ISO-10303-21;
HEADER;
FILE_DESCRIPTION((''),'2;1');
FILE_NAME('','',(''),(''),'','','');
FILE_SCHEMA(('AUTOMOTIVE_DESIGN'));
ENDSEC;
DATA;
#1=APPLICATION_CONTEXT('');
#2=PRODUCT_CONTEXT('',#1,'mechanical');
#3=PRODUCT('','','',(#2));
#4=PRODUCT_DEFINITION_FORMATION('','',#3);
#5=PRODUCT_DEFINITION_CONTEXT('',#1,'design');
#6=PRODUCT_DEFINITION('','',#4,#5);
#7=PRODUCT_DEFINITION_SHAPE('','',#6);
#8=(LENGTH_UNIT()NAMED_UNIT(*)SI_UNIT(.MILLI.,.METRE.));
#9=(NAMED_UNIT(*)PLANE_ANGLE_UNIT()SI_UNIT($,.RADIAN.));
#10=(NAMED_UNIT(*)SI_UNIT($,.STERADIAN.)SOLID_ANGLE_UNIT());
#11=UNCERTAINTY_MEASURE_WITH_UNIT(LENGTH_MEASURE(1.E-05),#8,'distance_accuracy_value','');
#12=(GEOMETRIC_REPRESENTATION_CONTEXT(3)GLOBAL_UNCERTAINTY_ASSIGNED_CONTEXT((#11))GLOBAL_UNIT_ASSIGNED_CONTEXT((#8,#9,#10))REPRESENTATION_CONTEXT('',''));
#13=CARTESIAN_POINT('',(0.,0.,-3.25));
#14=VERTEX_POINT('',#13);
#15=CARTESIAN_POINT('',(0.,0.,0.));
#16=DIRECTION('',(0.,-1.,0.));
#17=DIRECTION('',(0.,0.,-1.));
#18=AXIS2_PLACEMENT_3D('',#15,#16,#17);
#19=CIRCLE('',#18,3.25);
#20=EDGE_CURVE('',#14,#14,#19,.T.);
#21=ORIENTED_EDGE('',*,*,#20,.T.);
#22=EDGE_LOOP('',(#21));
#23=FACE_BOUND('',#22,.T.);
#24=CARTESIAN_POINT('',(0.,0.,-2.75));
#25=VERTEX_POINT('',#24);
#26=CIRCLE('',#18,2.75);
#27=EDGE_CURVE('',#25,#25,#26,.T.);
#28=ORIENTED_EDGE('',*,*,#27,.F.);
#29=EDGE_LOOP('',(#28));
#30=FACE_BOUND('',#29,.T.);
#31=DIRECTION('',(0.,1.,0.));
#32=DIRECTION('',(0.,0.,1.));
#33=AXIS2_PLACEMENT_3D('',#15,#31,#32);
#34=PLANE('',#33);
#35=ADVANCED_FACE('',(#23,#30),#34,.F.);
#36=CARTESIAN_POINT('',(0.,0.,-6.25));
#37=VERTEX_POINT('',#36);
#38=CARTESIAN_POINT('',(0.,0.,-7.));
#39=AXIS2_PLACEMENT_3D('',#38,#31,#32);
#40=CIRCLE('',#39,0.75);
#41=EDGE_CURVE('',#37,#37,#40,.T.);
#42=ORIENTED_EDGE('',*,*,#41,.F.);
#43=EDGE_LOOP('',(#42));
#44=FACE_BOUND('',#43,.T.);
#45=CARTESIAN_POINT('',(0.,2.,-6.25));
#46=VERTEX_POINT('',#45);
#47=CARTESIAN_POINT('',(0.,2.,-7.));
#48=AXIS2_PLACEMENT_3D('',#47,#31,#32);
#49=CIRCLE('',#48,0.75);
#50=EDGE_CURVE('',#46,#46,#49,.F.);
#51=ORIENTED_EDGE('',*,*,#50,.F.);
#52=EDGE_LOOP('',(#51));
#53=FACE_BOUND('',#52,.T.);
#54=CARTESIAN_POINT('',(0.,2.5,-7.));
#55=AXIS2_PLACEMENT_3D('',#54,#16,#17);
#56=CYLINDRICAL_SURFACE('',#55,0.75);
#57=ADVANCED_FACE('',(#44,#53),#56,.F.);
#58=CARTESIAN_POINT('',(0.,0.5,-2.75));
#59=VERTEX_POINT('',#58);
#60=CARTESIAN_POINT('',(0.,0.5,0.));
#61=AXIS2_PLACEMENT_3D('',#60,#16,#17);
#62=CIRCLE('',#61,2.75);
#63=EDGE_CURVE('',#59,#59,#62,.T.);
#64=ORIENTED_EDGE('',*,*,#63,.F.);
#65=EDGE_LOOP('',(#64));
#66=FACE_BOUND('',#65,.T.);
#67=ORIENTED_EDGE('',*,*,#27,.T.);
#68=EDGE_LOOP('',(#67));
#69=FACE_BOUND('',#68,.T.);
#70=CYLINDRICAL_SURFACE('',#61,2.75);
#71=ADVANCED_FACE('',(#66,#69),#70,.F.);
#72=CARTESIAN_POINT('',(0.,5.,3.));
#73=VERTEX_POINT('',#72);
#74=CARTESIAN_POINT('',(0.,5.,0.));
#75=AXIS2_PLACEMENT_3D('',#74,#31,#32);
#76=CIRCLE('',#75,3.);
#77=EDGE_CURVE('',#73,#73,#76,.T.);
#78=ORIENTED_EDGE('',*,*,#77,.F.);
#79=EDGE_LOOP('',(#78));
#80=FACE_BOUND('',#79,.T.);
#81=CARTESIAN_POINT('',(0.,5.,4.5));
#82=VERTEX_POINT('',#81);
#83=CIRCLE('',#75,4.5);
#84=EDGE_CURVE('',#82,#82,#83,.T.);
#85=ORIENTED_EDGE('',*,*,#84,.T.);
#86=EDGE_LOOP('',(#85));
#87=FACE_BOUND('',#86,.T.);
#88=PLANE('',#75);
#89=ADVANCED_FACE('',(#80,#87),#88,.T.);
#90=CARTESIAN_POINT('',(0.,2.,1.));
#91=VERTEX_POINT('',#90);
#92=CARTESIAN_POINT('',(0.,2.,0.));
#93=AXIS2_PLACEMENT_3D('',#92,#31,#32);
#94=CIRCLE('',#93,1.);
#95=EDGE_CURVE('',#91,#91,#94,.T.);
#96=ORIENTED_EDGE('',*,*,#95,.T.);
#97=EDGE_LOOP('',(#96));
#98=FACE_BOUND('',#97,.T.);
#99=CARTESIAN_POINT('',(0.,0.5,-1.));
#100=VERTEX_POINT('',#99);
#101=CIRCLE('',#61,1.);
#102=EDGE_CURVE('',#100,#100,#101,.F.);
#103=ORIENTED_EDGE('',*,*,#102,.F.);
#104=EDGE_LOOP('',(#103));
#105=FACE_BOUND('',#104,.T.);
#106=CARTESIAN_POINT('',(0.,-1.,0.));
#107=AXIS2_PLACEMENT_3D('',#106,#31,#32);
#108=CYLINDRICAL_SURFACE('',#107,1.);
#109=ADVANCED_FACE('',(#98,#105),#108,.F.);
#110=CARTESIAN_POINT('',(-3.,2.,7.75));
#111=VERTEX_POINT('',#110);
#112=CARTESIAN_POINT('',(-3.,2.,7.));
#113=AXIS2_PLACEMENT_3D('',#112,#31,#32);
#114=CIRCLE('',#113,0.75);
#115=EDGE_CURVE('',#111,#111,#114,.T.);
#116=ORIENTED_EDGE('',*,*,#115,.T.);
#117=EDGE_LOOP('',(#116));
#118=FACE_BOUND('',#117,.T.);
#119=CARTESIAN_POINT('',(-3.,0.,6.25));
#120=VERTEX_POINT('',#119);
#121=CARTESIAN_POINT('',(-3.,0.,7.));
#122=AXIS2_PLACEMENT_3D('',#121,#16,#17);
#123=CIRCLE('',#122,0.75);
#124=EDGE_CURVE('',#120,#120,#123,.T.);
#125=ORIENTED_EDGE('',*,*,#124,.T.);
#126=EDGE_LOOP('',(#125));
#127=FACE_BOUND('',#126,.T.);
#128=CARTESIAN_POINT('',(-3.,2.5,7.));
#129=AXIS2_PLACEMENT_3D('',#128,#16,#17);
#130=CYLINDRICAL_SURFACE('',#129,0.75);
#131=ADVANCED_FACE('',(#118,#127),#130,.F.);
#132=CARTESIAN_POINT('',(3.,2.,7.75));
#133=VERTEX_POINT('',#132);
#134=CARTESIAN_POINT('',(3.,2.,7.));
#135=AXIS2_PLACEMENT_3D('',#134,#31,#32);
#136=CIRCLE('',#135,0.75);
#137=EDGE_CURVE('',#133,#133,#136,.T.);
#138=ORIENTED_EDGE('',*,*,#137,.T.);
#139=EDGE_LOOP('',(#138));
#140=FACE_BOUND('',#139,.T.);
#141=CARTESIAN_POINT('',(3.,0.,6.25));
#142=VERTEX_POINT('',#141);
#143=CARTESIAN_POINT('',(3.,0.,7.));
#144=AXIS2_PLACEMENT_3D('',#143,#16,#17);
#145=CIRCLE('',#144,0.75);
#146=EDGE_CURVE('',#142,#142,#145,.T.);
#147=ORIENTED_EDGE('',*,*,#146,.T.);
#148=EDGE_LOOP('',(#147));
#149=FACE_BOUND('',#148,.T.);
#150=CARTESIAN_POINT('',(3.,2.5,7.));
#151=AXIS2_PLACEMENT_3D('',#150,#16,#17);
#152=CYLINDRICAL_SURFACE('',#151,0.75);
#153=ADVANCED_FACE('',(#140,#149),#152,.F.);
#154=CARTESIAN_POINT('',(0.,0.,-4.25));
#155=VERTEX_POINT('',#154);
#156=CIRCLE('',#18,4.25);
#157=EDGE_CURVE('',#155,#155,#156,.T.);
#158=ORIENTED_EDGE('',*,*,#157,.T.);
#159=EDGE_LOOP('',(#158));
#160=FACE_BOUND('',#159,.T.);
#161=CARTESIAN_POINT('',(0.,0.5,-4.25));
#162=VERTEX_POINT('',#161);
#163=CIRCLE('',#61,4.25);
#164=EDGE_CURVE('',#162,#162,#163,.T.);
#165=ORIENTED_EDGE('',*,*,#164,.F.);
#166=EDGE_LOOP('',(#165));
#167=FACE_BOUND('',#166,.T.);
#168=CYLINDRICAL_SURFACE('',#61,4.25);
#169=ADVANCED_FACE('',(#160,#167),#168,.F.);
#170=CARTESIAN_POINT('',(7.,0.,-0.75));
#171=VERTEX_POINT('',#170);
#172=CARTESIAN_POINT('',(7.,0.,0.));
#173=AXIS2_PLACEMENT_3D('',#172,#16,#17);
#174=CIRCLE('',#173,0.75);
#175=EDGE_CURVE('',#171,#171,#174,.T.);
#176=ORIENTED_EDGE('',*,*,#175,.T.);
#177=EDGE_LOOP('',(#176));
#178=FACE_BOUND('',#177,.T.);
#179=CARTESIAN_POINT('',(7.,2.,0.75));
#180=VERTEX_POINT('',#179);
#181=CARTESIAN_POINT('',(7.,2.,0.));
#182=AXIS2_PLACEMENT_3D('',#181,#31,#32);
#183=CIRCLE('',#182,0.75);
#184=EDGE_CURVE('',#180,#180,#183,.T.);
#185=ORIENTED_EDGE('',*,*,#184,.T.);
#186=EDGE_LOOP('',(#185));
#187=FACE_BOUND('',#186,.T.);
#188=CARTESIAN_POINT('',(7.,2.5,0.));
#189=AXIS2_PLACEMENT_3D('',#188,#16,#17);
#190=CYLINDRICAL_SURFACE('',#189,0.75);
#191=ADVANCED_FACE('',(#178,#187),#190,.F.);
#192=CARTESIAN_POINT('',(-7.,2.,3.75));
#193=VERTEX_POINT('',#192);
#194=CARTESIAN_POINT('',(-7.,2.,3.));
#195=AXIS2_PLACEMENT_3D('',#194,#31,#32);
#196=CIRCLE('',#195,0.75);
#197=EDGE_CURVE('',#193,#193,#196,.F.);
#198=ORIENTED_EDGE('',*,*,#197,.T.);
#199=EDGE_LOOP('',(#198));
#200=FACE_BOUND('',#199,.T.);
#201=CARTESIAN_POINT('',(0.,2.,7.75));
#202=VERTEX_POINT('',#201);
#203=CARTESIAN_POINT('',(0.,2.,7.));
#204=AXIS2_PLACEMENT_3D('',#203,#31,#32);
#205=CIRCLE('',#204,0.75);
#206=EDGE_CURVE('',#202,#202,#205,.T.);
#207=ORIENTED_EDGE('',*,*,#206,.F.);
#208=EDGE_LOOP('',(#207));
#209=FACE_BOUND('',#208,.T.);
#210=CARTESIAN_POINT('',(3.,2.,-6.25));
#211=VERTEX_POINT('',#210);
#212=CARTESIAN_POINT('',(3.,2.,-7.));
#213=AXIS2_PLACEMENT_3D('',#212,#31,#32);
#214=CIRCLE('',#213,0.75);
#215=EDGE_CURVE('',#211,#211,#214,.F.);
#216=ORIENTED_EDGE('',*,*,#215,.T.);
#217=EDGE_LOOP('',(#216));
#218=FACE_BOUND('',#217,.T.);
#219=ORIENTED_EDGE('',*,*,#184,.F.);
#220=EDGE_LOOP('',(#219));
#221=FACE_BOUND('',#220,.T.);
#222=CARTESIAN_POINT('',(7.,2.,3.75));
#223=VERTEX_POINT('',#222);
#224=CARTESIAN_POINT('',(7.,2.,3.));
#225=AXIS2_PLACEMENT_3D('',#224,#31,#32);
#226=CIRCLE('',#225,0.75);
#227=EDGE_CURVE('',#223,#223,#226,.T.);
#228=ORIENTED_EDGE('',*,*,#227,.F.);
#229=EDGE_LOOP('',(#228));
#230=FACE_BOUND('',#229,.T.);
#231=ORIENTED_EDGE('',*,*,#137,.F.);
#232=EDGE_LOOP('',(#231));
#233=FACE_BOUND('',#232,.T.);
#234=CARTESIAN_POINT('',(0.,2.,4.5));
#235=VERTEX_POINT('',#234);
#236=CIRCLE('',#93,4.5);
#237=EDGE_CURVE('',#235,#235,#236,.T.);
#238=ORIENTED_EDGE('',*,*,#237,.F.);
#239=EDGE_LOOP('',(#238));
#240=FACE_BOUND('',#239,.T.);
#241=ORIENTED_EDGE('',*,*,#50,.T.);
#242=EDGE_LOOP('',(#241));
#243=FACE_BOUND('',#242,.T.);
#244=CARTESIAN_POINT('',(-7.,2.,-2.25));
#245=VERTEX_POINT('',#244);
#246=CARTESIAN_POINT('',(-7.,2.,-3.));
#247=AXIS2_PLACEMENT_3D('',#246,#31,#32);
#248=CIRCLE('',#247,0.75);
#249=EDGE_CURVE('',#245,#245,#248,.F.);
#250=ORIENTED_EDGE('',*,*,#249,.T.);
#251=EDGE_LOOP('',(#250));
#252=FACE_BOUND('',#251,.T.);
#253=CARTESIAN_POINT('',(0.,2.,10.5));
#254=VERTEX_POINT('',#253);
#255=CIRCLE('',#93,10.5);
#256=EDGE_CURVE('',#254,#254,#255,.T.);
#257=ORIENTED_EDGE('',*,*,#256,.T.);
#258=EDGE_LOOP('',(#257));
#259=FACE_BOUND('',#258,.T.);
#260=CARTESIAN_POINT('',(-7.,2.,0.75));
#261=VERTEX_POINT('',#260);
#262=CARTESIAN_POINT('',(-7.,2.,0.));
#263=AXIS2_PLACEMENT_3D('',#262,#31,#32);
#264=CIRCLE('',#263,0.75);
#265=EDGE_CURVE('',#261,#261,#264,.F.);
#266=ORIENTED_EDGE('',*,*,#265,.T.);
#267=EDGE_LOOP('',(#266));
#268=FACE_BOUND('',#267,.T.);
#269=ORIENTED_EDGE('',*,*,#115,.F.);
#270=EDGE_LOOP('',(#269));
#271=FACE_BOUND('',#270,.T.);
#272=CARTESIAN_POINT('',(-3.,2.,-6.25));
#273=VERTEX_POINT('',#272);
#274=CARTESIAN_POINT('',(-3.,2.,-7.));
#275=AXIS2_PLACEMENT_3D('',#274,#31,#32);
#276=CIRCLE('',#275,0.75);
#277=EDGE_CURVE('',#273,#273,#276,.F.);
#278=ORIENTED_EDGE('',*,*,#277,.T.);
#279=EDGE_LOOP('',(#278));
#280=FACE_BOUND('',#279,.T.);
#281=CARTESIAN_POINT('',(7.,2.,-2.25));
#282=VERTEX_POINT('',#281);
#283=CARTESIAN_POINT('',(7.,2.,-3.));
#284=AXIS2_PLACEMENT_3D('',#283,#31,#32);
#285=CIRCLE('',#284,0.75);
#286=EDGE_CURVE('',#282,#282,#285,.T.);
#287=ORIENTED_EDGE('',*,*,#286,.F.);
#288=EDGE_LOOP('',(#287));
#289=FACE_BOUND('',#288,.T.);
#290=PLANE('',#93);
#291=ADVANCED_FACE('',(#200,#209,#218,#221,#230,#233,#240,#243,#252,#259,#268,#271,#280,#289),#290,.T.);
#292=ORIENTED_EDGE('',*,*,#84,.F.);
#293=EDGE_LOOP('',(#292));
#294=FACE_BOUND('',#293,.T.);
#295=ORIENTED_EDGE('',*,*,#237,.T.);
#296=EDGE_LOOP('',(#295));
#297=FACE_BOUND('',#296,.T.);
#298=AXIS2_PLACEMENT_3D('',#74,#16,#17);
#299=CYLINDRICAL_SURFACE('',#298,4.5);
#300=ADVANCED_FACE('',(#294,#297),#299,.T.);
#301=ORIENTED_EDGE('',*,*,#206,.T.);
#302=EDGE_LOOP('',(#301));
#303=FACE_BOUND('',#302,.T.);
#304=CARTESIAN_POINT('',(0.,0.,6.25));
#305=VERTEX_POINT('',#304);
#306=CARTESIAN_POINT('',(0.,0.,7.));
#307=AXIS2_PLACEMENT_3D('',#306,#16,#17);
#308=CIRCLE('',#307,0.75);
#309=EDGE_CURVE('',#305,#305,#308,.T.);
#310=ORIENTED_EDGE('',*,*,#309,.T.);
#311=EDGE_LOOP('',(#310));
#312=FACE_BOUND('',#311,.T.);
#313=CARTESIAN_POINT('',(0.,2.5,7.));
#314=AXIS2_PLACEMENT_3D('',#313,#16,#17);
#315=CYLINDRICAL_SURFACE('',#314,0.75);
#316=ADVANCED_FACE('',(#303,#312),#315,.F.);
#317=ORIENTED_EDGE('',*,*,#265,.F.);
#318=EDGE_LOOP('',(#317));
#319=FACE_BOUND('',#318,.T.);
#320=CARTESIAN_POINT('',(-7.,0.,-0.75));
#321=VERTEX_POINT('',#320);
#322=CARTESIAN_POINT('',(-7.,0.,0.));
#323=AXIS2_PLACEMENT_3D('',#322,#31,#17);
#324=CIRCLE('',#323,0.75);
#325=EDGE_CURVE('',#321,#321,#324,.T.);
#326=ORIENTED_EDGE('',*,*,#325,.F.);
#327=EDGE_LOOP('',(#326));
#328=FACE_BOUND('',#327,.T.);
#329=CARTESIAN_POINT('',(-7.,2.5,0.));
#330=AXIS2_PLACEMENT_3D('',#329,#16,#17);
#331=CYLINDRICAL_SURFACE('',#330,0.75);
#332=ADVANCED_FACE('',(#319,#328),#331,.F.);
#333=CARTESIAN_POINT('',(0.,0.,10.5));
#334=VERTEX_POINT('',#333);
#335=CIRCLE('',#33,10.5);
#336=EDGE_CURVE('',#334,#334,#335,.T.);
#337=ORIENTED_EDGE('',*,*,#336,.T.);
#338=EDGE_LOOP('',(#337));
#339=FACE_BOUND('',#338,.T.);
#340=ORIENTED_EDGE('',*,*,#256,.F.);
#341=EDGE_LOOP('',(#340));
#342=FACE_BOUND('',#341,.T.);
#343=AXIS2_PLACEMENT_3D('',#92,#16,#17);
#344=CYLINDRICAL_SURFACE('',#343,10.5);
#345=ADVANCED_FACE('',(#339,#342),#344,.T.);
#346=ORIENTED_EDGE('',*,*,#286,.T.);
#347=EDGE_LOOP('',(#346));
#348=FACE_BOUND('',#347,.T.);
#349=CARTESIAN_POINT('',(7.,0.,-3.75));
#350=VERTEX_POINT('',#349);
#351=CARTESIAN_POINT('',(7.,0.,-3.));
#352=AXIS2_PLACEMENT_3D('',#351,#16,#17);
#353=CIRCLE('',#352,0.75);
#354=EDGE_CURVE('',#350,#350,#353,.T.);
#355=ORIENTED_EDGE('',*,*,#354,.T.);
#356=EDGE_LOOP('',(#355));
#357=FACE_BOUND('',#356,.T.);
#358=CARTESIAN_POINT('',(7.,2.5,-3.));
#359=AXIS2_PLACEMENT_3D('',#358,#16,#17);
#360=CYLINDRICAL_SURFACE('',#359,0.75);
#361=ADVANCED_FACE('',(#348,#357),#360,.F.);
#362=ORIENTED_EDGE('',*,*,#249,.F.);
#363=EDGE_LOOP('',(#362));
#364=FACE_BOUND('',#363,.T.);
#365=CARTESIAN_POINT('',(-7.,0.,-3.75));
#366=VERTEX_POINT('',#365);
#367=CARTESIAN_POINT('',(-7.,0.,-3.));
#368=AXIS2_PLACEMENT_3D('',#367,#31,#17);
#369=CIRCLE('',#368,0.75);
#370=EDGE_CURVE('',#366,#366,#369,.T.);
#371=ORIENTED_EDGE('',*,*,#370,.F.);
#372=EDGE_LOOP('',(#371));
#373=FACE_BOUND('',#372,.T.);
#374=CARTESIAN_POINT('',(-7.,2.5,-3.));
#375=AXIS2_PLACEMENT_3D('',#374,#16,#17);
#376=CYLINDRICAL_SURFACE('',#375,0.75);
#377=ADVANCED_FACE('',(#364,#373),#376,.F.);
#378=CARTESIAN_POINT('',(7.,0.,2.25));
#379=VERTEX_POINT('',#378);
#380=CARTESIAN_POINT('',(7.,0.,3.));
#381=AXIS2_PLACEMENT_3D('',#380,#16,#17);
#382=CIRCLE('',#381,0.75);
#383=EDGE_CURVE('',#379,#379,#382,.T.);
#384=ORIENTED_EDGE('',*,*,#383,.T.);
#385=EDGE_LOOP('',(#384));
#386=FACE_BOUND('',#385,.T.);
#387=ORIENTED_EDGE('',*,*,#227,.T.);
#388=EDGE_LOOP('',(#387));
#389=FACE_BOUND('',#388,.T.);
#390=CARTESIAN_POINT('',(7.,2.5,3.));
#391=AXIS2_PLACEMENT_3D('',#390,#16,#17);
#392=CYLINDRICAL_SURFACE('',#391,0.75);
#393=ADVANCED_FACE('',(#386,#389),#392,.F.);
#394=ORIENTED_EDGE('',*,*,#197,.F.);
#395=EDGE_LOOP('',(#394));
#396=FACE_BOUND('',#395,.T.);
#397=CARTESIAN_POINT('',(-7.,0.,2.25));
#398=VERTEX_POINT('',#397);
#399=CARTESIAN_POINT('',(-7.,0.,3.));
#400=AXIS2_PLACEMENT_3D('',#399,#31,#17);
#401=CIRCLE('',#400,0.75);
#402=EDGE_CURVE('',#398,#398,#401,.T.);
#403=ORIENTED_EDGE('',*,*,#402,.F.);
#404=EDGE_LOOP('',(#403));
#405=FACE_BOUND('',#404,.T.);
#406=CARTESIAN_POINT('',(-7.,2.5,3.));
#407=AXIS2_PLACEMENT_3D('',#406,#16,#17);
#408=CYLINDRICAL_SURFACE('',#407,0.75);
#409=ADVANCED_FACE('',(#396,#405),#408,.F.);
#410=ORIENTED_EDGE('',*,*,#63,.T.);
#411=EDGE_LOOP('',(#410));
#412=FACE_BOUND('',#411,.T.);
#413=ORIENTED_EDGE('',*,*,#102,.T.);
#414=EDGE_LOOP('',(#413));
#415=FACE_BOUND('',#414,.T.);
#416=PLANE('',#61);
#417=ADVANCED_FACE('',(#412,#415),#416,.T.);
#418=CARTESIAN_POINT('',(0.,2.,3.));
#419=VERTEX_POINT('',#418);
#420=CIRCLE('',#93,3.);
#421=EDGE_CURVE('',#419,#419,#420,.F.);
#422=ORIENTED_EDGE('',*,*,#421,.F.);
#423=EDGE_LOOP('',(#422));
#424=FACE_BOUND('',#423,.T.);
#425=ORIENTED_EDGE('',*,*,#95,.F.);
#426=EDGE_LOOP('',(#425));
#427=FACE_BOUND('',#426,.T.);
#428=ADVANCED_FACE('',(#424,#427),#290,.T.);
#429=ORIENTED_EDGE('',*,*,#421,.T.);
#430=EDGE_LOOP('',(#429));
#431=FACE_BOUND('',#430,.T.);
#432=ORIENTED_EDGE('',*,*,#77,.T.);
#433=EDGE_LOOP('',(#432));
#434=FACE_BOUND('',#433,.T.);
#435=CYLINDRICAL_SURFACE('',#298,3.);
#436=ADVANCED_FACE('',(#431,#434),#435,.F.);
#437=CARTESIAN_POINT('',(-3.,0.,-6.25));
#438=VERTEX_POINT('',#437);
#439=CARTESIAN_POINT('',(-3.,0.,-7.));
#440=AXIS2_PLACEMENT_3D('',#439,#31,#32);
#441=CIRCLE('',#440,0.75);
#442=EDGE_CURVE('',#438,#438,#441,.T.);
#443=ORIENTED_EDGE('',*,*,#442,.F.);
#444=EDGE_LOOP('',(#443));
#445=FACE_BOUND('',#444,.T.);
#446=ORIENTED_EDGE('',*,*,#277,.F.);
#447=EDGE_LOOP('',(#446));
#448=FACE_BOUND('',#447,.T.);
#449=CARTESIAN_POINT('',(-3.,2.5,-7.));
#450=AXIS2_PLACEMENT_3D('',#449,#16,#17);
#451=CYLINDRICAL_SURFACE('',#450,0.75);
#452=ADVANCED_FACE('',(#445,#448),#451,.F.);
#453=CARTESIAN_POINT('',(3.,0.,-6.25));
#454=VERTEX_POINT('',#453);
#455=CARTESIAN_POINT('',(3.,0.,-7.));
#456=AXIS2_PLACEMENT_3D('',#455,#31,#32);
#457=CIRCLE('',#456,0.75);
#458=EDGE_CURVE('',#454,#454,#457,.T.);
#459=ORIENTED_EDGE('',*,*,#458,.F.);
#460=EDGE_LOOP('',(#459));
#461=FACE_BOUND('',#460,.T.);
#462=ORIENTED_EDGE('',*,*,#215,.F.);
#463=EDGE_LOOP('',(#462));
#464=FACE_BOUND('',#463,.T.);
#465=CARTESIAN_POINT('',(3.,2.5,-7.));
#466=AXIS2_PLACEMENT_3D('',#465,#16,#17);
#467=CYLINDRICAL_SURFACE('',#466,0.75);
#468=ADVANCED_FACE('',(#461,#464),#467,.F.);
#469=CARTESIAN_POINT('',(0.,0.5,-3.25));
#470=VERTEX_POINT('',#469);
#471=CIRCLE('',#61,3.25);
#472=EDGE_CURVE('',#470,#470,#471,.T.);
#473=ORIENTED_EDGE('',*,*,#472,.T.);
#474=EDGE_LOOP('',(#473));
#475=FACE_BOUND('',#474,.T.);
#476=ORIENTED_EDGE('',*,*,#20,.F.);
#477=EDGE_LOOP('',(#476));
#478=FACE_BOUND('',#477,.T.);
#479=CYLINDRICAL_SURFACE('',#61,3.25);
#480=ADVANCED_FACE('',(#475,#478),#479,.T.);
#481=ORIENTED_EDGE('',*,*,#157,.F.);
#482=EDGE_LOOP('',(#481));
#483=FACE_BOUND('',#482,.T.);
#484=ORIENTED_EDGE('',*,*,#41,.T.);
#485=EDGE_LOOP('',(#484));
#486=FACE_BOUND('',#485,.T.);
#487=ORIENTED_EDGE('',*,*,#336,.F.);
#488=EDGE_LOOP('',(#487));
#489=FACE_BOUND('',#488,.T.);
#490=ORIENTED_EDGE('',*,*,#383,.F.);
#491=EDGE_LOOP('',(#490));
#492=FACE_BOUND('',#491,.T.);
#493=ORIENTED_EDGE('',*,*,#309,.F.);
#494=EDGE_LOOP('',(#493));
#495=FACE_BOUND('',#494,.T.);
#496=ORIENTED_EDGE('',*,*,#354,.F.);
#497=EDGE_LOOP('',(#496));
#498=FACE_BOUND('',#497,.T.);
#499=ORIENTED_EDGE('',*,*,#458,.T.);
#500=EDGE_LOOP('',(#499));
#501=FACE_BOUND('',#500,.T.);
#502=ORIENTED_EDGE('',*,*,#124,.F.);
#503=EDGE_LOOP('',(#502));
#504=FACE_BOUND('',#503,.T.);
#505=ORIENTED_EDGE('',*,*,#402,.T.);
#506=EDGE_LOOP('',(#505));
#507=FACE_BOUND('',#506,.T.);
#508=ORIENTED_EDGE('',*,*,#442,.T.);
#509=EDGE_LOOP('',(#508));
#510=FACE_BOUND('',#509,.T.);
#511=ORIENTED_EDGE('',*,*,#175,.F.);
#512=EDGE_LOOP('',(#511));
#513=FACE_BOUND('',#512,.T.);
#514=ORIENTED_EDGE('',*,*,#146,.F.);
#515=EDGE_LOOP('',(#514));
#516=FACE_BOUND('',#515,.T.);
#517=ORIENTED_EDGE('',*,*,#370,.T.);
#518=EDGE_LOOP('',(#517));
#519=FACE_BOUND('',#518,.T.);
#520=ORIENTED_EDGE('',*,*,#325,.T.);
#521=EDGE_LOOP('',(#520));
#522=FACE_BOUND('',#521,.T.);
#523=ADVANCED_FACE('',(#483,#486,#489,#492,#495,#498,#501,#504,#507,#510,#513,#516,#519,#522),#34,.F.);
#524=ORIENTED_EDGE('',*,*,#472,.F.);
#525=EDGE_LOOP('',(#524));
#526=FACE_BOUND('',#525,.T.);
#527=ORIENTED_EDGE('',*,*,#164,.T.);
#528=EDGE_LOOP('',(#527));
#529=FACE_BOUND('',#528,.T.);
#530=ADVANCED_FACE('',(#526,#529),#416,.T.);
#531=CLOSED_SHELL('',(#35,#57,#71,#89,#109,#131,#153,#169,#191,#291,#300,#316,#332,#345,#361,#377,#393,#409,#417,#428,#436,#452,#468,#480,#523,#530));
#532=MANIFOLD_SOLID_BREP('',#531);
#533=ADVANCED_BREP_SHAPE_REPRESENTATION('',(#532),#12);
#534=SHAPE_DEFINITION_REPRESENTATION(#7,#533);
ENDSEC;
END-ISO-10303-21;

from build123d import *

# Parameters (mm, degrees)
SKETCH1_R           = 10.5
BOSS_EXTRUDE1_DEPTH = 2
SKETCH2_R           = 4.5
SKETCH2_R_2         = 3
BOSS_EXTRUDE2_DEPTH = 3
SKETCH3_R           = 1
CUT_EXTRUDE1_DEPTH  = 3
SKETCH4_R           = 4.25
SKETCH4_R_2         = 3.25
SKETCH4_R_3         = 2.75
SKETCH4_R_4         = 1
CUT_EXTRUDE2_DEPTH  = 0.5
SKETCH5_R           = 0.75
CUT_EXTRUDE3_DEPTH  = 2.5
SKETCH7_R           = 0.75
CUT_EXTRUDE4_DEPTH  = 2.5


with BuildPart() as part:
    # Sketch1 → Boss-Extrude1 (new body)
    with BuildSketch(Plane(origin=(0, 0, 0), x_dir=(1, 0, 0), z_dir=(0, 1, 0))):
        Circle(SKETCH1_R)
    extrude(amount=BOSS_EXTRUDE1_DEPTH)

    # Sketch2 → Boss-Extrude2 (add)
    with BuildSketch(Plane(origin=(0, 2, 0), x_dir=(1, 0, 0), z_dir=(0, 1, 0))):
        Circle(SKETCH2_R)
        Circle(SKETCH2_R_2, mode=Mode.SUBTRACT)
    extrude(amount=BOSS_EXTRUDE2_DEPTH)

    # Sketch3 → Cut-Extrude1 (cut)
    with BuildSketch(Plane(origin=(0, 2, 0), x_dir=(1, 0, 0), z_dir=(0, 1, 0))):
        Circle(SKETCH3_R)
    extrude(amount=-CUT_EXTRUDE1_DEPTH, mode=Mode.SUBTRACT)

    # Sketch4 → Cut-Extrude2 (cut)
    with BuildSketch(Plane.XZ):
        Circle(SKETCH4_R)
        Circle(SKETCH4_R_2, mode=Mode.SUBTRACT)
        Circle(SKETCH4_R_3)
        Circle(SKETCH4_R_4, mode=Mode.SUBTRACT)
    extrude(amount=-CUT_EXTRUDE2_DEPTH, mode=Mode.SUBTRACT)

    # Sketch5 → Cut-Extrude3 (cut)
    with BuildSketch(Plane.XZ):
        with Locations((0, 7)):
            Circle(SKETCH5_R)
        with Locations((3, 7)):
            Circle(SKETCH5_R)
        with Locations((-3, 7)):
            Circle(SKETCH5_R)
    cut_extrude3 = extrude(amount=-CUT_EXTRUDE3_DEPTH, mode=Mode.SUBTRACT)

    # Mirror1: Cut-Extrude3 across plane
    add(cut_extrude3.mirror(Plane.XY), mode=Mode.SUBTRACT)

    # Sketch7 → Cut-Extrude4 (cut)
    with BuildSketch(Plane.XZ):
        with Locations((7, 0)):
            Circle(SKETCH7_R)
        with Locations((7, 3)):
            Circle(SKETCH7_R)
        with Locations((7, -3)):
            Circle(SKETCH7_R)
    cut_extrude4 = extrude(amount=-CUT_EXTRUDE4_DEPTH, mode=Mode.SUBTRACT)

    # Mirror2: Cut-Extrude4 across plane
    add(cut_extrude4.mirror(Plane(origin=(0, 0, 0), x_dir=(0, 0, 1), z_dir=(1, 0, 0))), mode=Mode.SUBTRACT)


solid = part.part
